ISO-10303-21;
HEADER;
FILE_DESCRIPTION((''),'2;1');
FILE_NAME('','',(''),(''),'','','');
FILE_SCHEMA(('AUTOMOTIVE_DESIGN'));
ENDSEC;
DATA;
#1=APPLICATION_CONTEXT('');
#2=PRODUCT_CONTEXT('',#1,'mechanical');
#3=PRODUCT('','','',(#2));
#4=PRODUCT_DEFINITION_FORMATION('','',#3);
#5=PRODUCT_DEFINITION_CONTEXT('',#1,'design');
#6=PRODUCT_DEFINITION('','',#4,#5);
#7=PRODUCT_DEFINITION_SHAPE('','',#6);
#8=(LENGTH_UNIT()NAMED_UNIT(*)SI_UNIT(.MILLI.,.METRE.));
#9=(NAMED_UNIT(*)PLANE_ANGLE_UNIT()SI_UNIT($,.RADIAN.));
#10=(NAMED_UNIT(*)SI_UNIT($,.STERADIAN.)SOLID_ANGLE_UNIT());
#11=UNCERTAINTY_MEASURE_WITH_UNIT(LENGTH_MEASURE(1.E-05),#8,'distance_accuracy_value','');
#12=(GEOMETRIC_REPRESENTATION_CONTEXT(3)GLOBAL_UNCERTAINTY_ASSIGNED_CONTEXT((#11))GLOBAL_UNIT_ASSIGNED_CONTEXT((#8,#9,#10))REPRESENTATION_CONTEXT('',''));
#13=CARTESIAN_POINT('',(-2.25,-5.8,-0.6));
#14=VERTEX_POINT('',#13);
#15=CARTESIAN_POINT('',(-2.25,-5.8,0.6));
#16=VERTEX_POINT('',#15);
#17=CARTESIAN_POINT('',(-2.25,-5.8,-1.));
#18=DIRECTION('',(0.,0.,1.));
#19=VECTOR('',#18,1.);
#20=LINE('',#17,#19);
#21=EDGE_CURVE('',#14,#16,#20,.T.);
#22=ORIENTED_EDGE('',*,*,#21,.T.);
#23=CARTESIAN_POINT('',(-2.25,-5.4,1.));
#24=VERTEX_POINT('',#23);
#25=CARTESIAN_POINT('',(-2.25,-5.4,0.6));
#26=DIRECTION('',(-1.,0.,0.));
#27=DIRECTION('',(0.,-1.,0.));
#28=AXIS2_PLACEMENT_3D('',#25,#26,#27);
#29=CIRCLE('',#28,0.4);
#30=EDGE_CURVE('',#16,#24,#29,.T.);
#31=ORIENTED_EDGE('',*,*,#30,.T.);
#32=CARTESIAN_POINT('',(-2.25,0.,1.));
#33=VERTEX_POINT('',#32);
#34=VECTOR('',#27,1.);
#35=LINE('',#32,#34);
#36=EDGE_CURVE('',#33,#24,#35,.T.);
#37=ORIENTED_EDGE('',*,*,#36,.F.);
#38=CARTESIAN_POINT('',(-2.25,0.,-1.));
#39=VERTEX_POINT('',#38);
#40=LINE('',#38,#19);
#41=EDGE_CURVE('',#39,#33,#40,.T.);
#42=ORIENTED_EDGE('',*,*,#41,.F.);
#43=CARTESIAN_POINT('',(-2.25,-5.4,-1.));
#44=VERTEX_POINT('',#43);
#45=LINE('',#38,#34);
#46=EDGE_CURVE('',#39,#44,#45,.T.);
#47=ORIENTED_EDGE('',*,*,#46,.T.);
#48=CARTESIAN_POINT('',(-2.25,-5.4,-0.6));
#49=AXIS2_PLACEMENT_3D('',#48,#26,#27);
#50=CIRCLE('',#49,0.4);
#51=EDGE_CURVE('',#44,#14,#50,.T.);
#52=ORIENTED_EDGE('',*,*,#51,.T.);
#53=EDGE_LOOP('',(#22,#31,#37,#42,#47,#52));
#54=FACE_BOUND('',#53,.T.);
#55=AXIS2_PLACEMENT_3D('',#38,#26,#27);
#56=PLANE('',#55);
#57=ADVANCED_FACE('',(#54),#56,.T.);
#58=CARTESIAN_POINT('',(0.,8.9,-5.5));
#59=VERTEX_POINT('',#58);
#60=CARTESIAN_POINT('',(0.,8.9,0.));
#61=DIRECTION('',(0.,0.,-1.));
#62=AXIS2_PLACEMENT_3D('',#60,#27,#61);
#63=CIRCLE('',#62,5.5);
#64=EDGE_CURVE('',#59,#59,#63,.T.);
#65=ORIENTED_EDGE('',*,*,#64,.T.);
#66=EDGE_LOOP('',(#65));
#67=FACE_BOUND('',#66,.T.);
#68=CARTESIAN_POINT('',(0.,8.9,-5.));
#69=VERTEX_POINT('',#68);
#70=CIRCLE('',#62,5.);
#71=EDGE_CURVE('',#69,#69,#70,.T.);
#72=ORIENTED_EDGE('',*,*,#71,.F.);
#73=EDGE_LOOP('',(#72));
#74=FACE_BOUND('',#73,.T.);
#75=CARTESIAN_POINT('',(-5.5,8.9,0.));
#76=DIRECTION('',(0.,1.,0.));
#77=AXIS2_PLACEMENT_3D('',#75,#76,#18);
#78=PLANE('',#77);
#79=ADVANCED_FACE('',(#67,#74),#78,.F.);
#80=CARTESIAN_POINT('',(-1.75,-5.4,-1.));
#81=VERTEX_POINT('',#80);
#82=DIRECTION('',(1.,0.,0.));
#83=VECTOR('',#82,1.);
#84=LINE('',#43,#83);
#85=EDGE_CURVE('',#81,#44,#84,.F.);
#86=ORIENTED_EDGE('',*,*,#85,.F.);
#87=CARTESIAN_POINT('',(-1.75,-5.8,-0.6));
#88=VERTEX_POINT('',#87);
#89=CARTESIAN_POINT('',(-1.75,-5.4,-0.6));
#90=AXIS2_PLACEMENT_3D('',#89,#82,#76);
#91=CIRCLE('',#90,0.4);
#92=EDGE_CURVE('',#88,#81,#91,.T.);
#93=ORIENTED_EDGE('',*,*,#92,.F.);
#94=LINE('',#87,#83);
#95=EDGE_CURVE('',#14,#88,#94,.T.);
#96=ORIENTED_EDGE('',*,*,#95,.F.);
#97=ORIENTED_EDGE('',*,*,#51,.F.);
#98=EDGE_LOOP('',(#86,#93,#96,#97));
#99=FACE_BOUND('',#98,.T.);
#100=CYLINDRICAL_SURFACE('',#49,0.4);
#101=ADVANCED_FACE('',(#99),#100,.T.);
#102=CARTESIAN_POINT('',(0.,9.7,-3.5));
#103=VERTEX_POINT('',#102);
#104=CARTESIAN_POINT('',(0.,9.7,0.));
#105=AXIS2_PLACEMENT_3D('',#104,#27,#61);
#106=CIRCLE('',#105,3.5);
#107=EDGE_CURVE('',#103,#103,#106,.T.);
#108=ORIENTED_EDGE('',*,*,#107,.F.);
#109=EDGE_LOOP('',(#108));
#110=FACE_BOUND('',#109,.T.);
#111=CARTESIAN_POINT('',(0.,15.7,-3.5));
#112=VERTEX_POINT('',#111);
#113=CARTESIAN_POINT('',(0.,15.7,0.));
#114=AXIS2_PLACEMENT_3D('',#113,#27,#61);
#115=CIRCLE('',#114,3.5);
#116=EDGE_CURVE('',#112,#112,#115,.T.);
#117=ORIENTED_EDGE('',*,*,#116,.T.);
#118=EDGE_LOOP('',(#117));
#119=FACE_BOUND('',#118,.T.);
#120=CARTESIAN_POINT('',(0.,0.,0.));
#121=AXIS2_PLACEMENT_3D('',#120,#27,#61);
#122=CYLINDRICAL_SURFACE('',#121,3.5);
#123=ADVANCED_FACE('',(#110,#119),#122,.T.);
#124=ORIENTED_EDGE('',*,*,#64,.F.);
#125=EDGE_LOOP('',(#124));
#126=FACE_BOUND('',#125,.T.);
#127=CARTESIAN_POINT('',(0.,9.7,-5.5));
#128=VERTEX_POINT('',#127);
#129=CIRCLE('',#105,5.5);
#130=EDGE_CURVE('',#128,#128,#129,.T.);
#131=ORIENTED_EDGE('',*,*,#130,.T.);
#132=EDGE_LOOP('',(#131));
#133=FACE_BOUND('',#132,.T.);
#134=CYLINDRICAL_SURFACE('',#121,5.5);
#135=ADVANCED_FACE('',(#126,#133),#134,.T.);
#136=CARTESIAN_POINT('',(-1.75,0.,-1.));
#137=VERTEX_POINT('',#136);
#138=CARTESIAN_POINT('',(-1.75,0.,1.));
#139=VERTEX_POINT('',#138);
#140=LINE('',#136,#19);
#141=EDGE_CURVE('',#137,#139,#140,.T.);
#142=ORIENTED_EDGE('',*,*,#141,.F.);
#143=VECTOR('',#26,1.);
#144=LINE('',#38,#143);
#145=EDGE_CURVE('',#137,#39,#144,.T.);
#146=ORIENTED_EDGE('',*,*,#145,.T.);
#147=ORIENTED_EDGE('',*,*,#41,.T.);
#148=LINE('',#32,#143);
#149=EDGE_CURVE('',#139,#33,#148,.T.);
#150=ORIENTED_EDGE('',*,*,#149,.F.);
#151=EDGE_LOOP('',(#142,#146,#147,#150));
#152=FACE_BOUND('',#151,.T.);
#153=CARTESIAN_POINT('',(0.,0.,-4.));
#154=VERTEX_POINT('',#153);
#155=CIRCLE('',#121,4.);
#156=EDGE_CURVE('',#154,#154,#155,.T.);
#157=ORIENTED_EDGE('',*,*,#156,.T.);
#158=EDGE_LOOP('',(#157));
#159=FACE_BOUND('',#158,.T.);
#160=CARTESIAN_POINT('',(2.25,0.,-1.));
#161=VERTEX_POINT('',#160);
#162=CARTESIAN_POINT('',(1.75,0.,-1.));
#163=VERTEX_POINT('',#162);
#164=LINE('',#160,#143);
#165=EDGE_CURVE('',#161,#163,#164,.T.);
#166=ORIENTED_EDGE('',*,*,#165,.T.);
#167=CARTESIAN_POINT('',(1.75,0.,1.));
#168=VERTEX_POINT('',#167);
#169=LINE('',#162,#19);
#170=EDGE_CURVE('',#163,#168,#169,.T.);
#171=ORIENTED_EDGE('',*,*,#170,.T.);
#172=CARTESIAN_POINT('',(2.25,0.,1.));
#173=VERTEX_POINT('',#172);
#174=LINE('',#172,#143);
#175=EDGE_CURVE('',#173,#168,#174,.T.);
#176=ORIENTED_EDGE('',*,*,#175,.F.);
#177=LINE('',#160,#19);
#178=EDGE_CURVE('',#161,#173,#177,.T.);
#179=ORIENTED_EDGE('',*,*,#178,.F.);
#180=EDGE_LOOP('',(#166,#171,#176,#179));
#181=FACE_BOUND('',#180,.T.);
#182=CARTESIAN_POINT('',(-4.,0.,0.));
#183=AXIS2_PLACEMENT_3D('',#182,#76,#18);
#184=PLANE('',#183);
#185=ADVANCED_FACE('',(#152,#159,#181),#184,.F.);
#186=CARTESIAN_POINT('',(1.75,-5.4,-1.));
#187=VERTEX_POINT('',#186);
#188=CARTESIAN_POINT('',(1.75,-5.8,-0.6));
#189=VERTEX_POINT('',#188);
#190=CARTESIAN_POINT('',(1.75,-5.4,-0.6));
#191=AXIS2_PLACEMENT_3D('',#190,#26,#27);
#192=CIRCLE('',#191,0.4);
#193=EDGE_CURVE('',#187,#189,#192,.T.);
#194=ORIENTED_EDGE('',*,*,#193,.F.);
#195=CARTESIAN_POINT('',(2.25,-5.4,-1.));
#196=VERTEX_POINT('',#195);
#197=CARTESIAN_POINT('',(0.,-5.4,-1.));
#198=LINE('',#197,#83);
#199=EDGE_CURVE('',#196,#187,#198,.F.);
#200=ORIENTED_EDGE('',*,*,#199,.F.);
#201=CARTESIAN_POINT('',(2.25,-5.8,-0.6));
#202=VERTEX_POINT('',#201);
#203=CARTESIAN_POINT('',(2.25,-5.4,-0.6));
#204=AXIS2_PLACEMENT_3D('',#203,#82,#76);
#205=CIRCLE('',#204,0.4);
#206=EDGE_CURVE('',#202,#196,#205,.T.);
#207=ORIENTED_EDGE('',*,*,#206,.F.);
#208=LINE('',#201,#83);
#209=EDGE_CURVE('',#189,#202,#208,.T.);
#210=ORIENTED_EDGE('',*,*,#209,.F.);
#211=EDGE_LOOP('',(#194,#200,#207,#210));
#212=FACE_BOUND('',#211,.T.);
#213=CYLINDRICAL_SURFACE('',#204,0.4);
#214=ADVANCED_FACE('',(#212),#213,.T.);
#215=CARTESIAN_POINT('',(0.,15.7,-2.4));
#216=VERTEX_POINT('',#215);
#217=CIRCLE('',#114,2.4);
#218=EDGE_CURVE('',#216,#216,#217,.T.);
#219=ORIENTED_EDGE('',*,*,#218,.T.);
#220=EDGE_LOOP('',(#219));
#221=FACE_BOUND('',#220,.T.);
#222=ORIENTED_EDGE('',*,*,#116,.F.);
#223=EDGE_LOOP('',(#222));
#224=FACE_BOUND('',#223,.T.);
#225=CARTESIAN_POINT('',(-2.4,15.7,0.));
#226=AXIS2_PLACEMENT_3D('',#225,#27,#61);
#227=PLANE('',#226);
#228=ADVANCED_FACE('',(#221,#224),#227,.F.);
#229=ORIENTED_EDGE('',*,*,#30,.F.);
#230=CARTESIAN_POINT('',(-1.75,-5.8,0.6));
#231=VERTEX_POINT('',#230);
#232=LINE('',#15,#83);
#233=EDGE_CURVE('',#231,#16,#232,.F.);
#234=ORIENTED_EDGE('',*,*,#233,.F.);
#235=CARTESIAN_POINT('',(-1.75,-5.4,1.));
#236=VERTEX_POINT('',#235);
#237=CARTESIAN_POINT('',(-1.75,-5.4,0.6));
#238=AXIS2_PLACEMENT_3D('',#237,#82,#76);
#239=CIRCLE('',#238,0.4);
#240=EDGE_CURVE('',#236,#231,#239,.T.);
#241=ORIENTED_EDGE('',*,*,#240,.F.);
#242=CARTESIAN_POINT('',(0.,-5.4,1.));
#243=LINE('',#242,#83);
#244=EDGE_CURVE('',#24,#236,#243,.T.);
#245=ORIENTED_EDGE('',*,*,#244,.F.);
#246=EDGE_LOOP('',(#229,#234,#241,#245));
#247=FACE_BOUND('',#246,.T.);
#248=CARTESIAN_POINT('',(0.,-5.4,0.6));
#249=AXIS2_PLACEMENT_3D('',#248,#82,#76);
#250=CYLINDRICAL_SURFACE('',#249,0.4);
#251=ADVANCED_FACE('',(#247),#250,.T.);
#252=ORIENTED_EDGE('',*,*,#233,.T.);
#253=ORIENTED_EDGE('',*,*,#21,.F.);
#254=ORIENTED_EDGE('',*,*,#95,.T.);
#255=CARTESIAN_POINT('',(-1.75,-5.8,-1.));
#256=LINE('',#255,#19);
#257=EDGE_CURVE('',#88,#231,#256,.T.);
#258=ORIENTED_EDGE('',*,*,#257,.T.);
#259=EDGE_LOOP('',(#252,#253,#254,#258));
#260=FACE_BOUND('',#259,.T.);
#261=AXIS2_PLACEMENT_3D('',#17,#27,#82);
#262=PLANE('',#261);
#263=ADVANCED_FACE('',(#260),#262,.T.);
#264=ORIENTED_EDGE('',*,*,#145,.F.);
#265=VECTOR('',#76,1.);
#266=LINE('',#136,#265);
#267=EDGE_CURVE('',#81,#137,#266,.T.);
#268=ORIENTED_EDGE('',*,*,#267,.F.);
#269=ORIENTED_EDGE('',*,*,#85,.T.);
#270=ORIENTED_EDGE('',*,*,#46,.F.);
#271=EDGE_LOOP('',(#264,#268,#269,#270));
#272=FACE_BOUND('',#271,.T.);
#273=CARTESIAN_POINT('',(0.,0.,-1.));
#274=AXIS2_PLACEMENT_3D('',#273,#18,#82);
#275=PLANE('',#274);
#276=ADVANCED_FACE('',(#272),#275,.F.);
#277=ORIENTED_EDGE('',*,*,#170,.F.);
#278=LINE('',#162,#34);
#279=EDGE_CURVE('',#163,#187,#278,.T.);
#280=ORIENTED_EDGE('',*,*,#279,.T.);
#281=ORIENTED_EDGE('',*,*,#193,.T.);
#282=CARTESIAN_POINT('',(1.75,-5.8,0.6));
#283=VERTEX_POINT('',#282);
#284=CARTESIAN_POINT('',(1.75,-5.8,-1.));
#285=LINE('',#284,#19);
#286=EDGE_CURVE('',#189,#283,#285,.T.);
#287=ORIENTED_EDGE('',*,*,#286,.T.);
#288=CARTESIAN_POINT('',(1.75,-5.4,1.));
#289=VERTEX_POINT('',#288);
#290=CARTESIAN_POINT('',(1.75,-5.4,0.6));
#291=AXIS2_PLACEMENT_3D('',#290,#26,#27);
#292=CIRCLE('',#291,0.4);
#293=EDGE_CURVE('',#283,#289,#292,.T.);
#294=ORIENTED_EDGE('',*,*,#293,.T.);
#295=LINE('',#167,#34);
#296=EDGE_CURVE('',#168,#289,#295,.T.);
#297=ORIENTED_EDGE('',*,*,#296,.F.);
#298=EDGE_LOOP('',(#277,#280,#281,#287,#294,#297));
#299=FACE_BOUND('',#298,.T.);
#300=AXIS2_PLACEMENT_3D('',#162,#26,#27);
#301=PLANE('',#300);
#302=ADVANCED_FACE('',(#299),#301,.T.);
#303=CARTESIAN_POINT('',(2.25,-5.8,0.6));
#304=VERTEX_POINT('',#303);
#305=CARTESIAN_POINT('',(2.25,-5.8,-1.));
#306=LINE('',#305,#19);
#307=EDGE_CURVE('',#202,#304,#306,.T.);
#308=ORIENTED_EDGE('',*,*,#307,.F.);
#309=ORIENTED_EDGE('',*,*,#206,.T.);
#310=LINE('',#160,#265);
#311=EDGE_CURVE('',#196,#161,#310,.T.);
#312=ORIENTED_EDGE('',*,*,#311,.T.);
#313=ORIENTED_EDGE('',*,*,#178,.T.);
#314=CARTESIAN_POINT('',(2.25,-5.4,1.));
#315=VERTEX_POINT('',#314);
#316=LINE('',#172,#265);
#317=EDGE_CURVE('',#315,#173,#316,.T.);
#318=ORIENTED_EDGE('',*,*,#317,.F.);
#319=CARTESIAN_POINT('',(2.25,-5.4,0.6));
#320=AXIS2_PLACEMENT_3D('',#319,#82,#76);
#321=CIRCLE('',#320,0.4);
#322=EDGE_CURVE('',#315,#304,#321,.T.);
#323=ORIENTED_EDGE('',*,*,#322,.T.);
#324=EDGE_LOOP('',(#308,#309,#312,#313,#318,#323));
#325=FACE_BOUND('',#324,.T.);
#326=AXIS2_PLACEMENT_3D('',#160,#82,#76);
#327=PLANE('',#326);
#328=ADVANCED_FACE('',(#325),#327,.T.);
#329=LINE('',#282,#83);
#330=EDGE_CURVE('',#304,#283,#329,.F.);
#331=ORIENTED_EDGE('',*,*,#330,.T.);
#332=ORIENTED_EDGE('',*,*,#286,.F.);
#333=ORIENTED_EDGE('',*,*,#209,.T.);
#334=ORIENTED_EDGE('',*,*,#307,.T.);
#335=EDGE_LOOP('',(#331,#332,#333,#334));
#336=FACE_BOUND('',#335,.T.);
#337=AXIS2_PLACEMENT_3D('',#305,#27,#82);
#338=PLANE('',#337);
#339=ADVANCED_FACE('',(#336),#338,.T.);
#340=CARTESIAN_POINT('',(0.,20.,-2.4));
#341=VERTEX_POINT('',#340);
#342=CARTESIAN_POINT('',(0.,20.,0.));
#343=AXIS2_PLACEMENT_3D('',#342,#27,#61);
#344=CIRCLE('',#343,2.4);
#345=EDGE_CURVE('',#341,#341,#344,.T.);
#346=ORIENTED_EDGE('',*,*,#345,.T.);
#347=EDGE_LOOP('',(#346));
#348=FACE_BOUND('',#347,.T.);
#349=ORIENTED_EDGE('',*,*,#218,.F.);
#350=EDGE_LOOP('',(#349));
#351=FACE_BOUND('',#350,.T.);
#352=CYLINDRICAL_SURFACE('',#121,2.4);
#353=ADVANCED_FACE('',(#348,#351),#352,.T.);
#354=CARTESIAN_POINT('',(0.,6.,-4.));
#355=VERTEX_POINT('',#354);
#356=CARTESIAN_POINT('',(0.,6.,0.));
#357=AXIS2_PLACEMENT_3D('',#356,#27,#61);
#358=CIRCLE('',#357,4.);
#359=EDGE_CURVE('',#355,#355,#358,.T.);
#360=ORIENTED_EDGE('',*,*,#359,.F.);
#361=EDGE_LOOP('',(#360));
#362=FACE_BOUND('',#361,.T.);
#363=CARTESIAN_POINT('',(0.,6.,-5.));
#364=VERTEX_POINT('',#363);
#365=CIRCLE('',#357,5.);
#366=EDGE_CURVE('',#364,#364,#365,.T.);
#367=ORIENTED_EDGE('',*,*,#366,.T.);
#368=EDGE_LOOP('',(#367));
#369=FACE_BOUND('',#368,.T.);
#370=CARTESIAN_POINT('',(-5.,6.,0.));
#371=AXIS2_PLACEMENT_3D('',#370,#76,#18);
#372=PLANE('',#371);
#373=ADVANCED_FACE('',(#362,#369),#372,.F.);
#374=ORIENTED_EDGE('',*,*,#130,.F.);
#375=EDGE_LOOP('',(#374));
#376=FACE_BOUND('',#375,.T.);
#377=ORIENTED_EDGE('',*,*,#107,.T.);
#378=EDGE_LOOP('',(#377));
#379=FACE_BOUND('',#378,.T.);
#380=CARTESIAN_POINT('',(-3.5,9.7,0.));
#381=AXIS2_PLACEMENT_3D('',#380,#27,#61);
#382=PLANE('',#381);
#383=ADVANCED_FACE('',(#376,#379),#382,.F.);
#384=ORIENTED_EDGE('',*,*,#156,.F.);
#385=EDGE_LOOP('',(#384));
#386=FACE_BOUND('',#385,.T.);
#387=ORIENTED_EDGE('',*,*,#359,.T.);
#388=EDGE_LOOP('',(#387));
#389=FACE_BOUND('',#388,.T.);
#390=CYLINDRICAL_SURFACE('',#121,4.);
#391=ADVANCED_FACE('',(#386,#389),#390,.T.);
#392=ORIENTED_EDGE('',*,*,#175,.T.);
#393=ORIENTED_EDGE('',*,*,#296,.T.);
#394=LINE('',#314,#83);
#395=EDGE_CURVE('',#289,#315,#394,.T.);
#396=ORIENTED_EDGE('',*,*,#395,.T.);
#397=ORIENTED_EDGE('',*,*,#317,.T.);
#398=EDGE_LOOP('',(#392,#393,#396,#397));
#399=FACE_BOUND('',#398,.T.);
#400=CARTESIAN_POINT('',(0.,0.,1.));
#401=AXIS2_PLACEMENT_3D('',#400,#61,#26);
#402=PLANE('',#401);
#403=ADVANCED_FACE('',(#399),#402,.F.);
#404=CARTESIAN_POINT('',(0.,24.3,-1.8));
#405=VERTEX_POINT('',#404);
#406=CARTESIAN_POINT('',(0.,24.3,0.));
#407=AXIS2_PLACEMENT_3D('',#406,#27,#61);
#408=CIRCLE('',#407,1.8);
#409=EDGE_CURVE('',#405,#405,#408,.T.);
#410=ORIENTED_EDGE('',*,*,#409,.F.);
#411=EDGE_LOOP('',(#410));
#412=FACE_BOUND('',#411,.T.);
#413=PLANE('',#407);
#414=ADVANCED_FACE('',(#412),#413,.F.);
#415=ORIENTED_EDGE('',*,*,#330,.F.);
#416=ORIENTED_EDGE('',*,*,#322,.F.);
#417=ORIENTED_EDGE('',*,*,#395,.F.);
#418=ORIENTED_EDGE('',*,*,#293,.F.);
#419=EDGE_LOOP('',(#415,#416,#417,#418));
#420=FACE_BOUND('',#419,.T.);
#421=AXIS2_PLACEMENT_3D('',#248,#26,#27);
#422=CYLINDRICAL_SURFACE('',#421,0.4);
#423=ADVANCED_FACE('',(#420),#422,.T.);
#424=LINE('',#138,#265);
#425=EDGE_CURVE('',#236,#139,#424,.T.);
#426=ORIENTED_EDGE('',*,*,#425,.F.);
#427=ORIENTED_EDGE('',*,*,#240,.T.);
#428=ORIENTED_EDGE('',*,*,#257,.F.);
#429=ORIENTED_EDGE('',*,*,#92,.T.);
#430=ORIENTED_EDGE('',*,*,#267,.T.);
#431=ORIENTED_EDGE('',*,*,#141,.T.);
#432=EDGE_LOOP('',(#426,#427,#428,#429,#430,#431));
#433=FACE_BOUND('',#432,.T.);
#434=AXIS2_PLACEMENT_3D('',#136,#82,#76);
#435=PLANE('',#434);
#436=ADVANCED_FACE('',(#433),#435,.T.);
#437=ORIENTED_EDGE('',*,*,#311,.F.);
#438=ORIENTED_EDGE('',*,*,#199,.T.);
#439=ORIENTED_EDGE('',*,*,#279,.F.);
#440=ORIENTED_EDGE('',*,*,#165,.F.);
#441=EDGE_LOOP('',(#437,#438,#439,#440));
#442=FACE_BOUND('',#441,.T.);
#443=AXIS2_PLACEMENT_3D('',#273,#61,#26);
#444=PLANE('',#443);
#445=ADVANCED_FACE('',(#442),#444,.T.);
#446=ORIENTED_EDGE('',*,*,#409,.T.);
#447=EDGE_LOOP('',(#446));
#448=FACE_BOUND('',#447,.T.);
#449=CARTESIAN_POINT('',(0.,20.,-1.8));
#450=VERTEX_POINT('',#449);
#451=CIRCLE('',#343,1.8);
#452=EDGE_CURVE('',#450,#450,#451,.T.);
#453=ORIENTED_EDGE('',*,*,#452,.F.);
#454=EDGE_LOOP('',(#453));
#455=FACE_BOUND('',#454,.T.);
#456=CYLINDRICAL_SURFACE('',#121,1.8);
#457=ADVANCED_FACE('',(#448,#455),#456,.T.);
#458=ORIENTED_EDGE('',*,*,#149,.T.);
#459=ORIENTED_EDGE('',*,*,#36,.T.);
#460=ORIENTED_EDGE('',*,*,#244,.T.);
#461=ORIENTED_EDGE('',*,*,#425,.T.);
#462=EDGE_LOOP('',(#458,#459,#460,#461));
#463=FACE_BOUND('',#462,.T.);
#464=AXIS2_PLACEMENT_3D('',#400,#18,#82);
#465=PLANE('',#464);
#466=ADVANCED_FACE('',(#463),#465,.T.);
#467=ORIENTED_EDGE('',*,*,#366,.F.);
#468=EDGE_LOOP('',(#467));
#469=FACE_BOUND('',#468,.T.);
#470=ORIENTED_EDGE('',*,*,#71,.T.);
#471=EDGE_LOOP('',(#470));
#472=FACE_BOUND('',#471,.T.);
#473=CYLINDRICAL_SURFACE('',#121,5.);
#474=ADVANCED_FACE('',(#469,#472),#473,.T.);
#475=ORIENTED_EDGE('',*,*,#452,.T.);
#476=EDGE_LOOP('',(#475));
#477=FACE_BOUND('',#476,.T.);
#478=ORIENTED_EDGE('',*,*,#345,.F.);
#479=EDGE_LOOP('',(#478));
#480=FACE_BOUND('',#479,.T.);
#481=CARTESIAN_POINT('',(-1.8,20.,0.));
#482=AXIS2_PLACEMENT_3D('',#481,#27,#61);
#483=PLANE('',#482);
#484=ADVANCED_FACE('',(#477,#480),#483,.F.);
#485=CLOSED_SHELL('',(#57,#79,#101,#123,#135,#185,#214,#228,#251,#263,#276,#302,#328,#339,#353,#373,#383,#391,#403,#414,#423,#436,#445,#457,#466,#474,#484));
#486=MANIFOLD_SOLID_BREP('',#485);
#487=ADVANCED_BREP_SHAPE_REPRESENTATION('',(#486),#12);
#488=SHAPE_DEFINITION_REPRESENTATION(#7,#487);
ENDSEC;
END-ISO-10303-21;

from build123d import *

# Parameters (mm, degrees)
BOSS_EXTRU_1_DEPTH      = 1
BOSS_EXTRU_1_DEPTH_BACK = 1
ESQUISSE2_W             = 0.5
ESQUISSE2_H             = 5.8
CONG_2_R                = 0.4


with BuildPart() as part:
    # Esquisse1 → Révolution1 (revolve)
    with BuildSketch(Plane.XY):
        Polygon((0, 0), (0, 24.3), (-1.8, 24.3), (-1.8, 20), (-2.4, 20), (-2.4, 15.7), (-3.5, 15.7), (-3.5, 9.7), (-5.5, 9.7), (-5.5, 8.9), (-5, 8.9), (-5, 6), (-4, 6), (-4, 0), align=None)
    revolve(axis=Axis((0, 0, 0), (0, 1, 0)))

    # Esquisse2 → Boss.-Extru.1 (add, two sides: drawn at the far end of the back side and taken through both)
    with BuildSketch(Plane.XY.offset(-BOSS_EXTRU_1_DEPTH_BACK)):
        with Locations((-2, -2.9)):
            Rectangle(ESQUISSE2_W, ESQUISSE2_H)
        with Locations((2, -2.9)):
            Rectangle(ESQUISSE2_W, ESQUISSE2_H)
    extrude(amount=BOSS_EXTRU_1_DEPTH + BOSS_EXTRU_1_DEPTH_BACK)

    # Congé2
    cong_2_edges = [part.edges().sort_by_distance(p)[0] for p in [
        (2, -5.8, 1),
        (-2, -5.8, -1),
        (-2, -5.8, 1),
        (2, -5.8, -1),
    ]]
    fillet(cong_2_edges, radius=CONG_2_R)


solid = part.part
